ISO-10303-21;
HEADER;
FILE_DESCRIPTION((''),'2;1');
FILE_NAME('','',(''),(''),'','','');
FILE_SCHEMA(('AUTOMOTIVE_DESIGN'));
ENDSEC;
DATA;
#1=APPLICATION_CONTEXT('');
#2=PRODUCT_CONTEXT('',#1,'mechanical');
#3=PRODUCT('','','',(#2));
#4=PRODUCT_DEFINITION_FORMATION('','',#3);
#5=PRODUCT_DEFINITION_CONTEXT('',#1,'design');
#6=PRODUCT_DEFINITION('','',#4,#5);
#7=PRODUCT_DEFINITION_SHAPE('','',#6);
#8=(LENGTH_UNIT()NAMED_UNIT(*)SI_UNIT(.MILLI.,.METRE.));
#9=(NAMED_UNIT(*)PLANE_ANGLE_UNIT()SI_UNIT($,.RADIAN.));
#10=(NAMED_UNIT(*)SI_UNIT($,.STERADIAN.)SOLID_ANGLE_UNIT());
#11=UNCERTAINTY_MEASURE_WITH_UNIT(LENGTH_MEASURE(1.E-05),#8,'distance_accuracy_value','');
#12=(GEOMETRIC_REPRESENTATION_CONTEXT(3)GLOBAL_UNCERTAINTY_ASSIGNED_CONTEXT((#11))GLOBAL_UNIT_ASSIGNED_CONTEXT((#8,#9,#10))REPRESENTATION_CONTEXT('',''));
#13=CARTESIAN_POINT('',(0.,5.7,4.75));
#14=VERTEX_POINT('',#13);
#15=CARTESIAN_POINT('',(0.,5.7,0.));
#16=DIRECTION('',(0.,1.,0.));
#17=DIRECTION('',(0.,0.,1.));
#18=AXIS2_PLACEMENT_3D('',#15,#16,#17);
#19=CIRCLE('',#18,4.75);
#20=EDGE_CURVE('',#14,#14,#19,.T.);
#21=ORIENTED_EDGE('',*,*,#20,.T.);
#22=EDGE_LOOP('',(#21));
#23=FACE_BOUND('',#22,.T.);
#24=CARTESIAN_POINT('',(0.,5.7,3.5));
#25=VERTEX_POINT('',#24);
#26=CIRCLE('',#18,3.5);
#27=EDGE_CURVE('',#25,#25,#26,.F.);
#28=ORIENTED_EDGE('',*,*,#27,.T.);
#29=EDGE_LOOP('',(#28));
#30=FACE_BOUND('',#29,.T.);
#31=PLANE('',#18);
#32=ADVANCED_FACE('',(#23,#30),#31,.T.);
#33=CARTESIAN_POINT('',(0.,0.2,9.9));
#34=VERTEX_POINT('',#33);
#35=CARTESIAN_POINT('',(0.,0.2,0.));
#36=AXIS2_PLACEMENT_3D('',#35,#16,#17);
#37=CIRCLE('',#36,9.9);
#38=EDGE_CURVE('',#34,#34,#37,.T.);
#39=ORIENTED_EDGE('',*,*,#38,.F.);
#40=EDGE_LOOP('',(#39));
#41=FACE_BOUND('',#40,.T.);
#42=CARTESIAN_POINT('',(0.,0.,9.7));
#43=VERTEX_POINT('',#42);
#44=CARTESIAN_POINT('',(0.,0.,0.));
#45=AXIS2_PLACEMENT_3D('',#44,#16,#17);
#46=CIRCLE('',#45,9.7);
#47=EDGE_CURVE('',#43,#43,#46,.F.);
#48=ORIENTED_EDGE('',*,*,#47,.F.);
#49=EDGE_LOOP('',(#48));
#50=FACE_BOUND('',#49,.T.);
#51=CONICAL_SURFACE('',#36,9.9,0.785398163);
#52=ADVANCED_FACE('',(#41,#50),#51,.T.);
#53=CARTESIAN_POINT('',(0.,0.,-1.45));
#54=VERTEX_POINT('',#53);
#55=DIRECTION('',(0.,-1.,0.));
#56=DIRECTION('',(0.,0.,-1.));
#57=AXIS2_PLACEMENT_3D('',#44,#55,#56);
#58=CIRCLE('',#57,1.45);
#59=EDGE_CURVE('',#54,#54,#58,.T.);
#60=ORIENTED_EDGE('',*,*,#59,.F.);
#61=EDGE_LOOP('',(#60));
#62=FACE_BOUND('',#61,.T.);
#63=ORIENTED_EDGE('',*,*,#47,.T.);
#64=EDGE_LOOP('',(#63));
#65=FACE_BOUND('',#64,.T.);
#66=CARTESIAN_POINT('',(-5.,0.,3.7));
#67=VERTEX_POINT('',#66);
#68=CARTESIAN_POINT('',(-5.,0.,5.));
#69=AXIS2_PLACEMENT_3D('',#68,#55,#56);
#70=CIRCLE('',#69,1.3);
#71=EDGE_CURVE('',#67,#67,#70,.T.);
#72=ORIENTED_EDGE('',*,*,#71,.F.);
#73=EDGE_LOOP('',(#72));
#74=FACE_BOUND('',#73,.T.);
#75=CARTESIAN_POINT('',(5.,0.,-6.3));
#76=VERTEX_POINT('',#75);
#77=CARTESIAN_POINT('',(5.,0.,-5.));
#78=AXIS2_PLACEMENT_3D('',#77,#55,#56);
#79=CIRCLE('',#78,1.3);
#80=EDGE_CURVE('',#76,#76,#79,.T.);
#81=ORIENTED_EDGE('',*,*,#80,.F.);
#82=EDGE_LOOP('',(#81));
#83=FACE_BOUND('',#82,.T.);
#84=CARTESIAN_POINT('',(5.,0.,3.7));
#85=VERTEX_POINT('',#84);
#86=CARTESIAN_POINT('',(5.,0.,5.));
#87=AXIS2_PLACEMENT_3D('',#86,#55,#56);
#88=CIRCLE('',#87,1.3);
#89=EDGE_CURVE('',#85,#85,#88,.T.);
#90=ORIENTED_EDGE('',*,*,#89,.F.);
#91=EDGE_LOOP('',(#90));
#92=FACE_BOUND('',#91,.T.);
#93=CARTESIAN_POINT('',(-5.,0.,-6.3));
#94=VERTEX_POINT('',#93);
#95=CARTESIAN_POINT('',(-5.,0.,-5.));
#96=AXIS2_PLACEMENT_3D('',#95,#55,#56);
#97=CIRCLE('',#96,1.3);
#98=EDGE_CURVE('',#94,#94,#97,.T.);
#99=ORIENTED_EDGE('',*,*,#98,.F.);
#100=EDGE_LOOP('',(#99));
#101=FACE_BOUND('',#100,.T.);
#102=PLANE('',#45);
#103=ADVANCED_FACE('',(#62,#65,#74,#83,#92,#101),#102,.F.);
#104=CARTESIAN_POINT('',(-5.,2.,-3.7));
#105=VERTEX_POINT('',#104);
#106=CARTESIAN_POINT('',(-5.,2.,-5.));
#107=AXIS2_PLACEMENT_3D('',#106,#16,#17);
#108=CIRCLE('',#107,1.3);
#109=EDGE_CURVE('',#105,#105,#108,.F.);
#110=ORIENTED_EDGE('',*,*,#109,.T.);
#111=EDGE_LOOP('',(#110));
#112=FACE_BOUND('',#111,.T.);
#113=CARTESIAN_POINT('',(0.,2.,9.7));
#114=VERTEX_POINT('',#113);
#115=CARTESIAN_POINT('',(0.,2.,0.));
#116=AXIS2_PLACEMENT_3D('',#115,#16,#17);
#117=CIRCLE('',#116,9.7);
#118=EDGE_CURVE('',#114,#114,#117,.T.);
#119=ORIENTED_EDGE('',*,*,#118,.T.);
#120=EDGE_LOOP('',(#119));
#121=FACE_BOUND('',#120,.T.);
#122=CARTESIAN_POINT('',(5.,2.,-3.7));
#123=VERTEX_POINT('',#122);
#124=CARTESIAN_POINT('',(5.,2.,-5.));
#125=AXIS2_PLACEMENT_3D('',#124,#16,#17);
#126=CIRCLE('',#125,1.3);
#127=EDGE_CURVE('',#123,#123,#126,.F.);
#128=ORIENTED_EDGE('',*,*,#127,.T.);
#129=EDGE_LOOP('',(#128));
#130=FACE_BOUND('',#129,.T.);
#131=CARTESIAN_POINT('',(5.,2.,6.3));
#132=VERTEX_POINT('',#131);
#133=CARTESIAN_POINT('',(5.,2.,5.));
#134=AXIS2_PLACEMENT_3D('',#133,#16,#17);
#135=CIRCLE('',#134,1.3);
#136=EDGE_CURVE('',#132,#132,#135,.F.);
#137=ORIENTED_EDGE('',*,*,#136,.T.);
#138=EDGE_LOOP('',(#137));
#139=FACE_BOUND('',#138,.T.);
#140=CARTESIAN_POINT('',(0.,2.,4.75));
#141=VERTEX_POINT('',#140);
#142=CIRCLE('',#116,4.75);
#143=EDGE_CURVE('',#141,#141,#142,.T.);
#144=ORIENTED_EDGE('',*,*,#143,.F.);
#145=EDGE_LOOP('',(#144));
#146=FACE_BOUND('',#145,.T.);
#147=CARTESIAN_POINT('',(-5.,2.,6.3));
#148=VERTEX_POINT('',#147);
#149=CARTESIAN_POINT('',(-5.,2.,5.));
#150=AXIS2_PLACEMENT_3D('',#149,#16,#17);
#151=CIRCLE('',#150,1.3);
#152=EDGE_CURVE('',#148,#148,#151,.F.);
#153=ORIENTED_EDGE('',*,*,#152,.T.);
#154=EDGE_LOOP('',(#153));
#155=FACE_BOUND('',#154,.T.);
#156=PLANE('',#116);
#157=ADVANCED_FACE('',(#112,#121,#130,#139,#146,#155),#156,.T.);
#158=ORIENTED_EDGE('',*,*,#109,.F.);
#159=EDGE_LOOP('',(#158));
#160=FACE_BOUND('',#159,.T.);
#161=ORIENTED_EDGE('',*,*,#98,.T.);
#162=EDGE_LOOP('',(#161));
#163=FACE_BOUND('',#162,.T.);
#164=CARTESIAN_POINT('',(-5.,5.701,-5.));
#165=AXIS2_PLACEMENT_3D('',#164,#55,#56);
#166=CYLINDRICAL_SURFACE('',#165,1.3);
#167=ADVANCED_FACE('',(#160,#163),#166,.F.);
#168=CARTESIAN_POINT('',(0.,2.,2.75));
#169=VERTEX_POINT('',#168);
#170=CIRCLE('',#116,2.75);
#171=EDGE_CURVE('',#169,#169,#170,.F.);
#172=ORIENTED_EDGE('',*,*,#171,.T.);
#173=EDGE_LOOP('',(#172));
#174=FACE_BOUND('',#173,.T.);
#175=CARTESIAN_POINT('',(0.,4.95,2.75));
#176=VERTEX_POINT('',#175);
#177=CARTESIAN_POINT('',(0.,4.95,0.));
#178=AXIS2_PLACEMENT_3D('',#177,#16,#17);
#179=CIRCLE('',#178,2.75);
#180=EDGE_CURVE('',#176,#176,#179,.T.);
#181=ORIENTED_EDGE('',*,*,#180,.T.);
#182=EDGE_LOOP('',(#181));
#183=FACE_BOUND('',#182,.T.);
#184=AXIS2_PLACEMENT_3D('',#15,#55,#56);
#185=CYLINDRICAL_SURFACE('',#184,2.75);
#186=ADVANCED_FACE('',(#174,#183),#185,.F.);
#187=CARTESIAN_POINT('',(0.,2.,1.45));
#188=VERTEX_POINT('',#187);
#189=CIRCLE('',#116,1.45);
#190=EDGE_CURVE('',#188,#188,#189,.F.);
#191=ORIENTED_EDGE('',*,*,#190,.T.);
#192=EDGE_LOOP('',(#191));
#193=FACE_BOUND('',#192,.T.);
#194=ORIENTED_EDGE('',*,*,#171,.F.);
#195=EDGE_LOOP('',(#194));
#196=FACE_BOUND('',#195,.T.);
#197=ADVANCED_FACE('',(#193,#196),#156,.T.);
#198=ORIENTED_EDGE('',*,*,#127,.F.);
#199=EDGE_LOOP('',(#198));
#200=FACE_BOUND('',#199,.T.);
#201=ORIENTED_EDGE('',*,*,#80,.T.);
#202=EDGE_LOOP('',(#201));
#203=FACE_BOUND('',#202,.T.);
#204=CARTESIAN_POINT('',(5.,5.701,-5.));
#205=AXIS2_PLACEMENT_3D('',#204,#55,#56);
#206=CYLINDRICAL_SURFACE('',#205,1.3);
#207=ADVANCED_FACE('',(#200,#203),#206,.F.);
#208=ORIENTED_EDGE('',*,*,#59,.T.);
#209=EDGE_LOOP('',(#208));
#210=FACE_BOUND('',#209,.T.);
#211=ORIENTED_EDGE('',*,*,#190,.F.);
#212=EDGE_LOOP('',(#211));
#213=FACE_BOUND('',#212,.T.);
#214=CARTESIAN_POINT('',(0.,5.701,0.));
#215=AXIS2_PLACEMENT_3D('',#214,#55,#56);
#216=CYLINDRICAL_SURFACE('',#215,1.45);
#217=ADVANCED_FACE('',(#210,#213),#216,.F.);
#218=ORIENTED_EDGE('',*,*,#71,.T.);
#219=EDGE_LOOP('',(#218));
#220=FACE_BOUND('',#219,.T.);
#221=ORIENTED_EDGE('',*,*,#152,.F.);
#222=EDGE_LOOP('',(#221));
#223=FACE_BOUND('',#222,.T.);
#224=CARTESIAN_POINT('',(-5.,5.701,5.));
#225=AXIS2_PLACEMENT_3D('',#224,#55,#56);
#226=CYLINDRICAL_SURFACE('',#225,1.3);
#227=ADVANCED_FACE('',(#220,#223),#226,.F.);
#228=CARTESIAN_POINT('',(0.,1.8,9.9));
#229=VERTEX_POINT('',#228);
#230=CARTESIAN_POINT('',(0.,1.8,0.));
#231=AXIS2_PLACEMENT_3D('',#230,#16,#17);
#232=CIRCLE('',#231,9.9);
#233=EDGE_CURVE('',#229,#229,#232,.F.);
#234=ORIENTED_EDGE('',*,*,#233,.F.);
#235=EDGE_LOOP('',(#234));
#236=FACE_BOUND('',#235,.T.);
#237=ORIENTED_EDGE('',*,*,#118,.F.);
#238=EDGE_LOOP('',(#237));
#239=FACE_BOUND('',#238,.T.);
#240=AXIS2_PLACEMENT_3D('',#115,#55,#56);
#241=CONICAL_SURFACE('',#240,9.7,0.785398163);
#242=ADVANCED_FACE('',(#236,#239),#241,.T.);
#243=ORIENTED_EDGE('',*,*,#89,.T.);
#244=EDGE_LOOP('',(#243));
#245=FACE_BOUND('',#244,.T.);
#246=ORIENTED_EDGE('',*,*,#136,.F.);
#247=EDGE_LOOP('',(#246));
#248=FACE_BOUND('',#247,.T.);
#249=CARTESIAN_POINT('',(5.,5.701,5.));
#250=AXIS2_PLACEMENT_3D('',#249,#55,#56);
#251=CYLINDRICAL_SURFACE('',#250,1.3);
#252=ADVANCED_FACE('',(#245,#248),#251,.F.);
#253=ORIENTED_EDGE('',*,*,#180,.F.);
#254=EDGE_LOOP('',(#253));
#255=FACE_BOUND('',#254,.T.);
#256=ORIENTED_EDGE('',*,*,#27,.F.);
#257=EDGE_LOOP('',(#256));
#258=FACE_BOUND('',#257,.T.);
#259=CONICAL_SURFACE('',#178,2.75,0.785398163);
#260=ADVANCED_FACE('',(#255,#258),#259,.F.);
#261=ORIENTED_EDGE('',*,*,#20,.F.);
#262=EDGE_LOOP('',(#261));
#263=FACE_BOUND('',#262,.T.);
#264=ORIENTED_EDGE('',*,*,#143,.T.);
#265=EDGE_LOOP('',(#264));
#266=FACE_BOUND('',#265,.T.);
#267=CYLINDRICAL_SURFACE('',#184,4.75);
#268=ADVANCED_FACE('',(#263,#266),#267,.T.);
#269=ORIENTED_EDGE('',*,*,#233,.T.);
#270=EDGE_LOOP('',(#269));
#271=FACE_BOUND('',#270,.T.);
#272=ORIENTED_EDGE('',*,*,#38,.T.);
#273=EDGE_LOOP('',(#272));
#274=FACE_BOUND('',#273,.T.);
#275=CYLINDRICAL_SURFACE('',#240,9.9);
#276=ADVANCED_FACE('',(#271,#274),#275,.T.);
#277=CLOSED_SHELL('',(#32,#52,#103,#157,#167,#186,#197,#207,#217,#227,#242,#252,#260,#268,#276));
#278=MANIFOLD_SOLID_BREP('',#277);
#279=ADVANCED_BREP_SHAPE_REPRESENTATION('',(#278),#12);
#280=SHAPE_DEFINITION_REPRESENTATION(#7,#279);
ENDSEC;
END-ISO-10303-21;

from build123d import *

# Parameters (mm, degrees)
SKETCH1_R           = 9.9
BOSS_EXTRUDE1_DEPTH = 2
SKETCH2_R           = 4.75
SKETCH2_R_2         = 2.75
BOSS_EXTRUDE2_DEPTH = 3.7
CUT_EXTRUDE1_REACH  = 17.117
SKETCH3_R           = 1.3
SKETCH3_R_2         = 1.45
CHAMFER1_SIZE       = 0.75
CHAMFER2_SIZE       = 0.2


with BuildPart() as part:
    # Sketch1 → Boss-Extrude1 (new body)
    with BuildSketch(Plane(origin=(0, 0, 0), x_dir=(1, 0, 0), z_dir=(0, 1, 0))):
        with Locations(Location((0, 0, 0), (0, 0, 270))):
            Circle(SKETCH1_R)
    extrude(amount=BOSS_EXTRUDE1_DEPTH)

    # Sketch2 → Boss-Extrude2 (add)
    with BuildSketch(Plane(origin=(0, 2, 0), x_dir=(1, 0, 0), z_dir=(0, 1, 0))):
        with Locations(Location((0, 0, 0), (0, 0, 270))):
            Circle(SKETCH2_R)
        with Locations(Location((0, 0, 0), (0, 0, 270))):
            Circle(SKETCH2_R_2, mode=Mode.SUBTRACT)
    extrude(amount=BOSS_EXTRUDE2_DEPTH)

    # Sketch3 → Cut-Extrude1 (cut, up to next)
    with BuildSketch(Plane.XZ, mode=Mode.PRIVATE) as cut_extrude1_sk1:
        with Locations(Location((-5, 5, 0), (0, 0, 270))):
            Circle(SKETCH3_R)
    cut_extrude1_tool1 = extrude(cut_extrude1_sk1.sketch, amount=-CUT_EXTRUDE1_REACH, mode=Mode.PRIVATE) & part.part
    # Sketch3 → Cut-Extrude1 (cut, up to next)
    with BuildSketch(Plane.XZ, mode=Mode.PRIVATE) as cut_extrude1_sk2:
        with Locations(Location((5, 5, 0), (0, 0, 270))):
            Circle(SKETCH3_R)
    cut_extrude1_tool2 = extrude(cut_extrude1_sk2.sketch, amount=-CUT_EXTRUDE1_REACH, mode=Mode.PRIVATE) & part.part
    # Sketch3 → Cut-Extrude1 (cut, up to next)
    with BuildSketch(Plane.XZ, mode=Mode.PRIVATE) as cut_extrude1_sk3:
        with Locations(Location((-5, -5, 0), (0, 0, 270))):
            Circle(SKETCH3_R)
    cut_extrude1_tool3 = extrude(cut_extrude1_sk3.sketch, amount=-CUT_EXTRUDE1_REACH, mode=Mode.PRIVATE) & part.part
    # Sketch3 → Cut-Extrude1 (cut, up to next)
    with BuildSketch(Plane.XZ, mode=Mode.PRIVATE) as cut_extrude1_sk4:
        with Locations(Location((5, -5, 0), (0, 0, 270))):
            Circle(SKETCH3_R)
    cut_extrude1_tool4 = extrude(cut_extrude1_sk4.sketch, amount=-CUT_EXTRUDE1_REACH, mode=Mode.PRIVATE) & part.part
    # Sketch3 → Cut-Extrude1 (cut, up to next)
    with BuildSketch(Plane.XZ, mode=Mode.PRIVATE) as cut_extrude1_sk5:
        with Locations(Location((0, 0, 0), (0, 0, 270))):
            Circle(SKETCH3_R_2)
    cut_extrude1_tool5 = extrude(cut_extrude1_sk5.sketch, amount=-CUT_EXTRUDE1_REACH, mode=Mode.PRIVATE) & part.part
    add(cut_extrude1_tool1.solids().sort_by_distance((-5, 0, 5))[0], mode=Mode.SUBTRACT)
    add(cut_extrude1_tool2.solids().sort_by_distance((5, 0, 5))[0], mode=Mode.SUBTRACT)
    add(cut_extrude1_tool3.solids().sort_by_distance((-5, 0, -5))[0], mode=Mode.SUBTRACT)
    add(cut_extrude1_tool4.solids().sort_by_distance((5, 0, -5))[0], mode=Mode.SUBTRACT)
    add(cut_extrude1_tool5.solids().sort_by_distance((0, 0, 0))[0], mode=Mode.SUBTRACT)

    # Chamfer1
    chamfer1_edges = [part.edges().sort_by_distance(p)[0] for p in [
        (0, 5.7, -2.75),
    ]]
    chamfer(chamfer1_edges, length=CHAMFER1_SIZE)

    # Chamfer2
    chamfer2_edges = [part.edges().sort_by_distance(p)[0] for p in [
        (0, 0, -9.9),
        (0, 2, -9.9),
    ]]
    chamfer(chamfer2_edges, length=CHAMFER2_SIZE)


solid = part.part
